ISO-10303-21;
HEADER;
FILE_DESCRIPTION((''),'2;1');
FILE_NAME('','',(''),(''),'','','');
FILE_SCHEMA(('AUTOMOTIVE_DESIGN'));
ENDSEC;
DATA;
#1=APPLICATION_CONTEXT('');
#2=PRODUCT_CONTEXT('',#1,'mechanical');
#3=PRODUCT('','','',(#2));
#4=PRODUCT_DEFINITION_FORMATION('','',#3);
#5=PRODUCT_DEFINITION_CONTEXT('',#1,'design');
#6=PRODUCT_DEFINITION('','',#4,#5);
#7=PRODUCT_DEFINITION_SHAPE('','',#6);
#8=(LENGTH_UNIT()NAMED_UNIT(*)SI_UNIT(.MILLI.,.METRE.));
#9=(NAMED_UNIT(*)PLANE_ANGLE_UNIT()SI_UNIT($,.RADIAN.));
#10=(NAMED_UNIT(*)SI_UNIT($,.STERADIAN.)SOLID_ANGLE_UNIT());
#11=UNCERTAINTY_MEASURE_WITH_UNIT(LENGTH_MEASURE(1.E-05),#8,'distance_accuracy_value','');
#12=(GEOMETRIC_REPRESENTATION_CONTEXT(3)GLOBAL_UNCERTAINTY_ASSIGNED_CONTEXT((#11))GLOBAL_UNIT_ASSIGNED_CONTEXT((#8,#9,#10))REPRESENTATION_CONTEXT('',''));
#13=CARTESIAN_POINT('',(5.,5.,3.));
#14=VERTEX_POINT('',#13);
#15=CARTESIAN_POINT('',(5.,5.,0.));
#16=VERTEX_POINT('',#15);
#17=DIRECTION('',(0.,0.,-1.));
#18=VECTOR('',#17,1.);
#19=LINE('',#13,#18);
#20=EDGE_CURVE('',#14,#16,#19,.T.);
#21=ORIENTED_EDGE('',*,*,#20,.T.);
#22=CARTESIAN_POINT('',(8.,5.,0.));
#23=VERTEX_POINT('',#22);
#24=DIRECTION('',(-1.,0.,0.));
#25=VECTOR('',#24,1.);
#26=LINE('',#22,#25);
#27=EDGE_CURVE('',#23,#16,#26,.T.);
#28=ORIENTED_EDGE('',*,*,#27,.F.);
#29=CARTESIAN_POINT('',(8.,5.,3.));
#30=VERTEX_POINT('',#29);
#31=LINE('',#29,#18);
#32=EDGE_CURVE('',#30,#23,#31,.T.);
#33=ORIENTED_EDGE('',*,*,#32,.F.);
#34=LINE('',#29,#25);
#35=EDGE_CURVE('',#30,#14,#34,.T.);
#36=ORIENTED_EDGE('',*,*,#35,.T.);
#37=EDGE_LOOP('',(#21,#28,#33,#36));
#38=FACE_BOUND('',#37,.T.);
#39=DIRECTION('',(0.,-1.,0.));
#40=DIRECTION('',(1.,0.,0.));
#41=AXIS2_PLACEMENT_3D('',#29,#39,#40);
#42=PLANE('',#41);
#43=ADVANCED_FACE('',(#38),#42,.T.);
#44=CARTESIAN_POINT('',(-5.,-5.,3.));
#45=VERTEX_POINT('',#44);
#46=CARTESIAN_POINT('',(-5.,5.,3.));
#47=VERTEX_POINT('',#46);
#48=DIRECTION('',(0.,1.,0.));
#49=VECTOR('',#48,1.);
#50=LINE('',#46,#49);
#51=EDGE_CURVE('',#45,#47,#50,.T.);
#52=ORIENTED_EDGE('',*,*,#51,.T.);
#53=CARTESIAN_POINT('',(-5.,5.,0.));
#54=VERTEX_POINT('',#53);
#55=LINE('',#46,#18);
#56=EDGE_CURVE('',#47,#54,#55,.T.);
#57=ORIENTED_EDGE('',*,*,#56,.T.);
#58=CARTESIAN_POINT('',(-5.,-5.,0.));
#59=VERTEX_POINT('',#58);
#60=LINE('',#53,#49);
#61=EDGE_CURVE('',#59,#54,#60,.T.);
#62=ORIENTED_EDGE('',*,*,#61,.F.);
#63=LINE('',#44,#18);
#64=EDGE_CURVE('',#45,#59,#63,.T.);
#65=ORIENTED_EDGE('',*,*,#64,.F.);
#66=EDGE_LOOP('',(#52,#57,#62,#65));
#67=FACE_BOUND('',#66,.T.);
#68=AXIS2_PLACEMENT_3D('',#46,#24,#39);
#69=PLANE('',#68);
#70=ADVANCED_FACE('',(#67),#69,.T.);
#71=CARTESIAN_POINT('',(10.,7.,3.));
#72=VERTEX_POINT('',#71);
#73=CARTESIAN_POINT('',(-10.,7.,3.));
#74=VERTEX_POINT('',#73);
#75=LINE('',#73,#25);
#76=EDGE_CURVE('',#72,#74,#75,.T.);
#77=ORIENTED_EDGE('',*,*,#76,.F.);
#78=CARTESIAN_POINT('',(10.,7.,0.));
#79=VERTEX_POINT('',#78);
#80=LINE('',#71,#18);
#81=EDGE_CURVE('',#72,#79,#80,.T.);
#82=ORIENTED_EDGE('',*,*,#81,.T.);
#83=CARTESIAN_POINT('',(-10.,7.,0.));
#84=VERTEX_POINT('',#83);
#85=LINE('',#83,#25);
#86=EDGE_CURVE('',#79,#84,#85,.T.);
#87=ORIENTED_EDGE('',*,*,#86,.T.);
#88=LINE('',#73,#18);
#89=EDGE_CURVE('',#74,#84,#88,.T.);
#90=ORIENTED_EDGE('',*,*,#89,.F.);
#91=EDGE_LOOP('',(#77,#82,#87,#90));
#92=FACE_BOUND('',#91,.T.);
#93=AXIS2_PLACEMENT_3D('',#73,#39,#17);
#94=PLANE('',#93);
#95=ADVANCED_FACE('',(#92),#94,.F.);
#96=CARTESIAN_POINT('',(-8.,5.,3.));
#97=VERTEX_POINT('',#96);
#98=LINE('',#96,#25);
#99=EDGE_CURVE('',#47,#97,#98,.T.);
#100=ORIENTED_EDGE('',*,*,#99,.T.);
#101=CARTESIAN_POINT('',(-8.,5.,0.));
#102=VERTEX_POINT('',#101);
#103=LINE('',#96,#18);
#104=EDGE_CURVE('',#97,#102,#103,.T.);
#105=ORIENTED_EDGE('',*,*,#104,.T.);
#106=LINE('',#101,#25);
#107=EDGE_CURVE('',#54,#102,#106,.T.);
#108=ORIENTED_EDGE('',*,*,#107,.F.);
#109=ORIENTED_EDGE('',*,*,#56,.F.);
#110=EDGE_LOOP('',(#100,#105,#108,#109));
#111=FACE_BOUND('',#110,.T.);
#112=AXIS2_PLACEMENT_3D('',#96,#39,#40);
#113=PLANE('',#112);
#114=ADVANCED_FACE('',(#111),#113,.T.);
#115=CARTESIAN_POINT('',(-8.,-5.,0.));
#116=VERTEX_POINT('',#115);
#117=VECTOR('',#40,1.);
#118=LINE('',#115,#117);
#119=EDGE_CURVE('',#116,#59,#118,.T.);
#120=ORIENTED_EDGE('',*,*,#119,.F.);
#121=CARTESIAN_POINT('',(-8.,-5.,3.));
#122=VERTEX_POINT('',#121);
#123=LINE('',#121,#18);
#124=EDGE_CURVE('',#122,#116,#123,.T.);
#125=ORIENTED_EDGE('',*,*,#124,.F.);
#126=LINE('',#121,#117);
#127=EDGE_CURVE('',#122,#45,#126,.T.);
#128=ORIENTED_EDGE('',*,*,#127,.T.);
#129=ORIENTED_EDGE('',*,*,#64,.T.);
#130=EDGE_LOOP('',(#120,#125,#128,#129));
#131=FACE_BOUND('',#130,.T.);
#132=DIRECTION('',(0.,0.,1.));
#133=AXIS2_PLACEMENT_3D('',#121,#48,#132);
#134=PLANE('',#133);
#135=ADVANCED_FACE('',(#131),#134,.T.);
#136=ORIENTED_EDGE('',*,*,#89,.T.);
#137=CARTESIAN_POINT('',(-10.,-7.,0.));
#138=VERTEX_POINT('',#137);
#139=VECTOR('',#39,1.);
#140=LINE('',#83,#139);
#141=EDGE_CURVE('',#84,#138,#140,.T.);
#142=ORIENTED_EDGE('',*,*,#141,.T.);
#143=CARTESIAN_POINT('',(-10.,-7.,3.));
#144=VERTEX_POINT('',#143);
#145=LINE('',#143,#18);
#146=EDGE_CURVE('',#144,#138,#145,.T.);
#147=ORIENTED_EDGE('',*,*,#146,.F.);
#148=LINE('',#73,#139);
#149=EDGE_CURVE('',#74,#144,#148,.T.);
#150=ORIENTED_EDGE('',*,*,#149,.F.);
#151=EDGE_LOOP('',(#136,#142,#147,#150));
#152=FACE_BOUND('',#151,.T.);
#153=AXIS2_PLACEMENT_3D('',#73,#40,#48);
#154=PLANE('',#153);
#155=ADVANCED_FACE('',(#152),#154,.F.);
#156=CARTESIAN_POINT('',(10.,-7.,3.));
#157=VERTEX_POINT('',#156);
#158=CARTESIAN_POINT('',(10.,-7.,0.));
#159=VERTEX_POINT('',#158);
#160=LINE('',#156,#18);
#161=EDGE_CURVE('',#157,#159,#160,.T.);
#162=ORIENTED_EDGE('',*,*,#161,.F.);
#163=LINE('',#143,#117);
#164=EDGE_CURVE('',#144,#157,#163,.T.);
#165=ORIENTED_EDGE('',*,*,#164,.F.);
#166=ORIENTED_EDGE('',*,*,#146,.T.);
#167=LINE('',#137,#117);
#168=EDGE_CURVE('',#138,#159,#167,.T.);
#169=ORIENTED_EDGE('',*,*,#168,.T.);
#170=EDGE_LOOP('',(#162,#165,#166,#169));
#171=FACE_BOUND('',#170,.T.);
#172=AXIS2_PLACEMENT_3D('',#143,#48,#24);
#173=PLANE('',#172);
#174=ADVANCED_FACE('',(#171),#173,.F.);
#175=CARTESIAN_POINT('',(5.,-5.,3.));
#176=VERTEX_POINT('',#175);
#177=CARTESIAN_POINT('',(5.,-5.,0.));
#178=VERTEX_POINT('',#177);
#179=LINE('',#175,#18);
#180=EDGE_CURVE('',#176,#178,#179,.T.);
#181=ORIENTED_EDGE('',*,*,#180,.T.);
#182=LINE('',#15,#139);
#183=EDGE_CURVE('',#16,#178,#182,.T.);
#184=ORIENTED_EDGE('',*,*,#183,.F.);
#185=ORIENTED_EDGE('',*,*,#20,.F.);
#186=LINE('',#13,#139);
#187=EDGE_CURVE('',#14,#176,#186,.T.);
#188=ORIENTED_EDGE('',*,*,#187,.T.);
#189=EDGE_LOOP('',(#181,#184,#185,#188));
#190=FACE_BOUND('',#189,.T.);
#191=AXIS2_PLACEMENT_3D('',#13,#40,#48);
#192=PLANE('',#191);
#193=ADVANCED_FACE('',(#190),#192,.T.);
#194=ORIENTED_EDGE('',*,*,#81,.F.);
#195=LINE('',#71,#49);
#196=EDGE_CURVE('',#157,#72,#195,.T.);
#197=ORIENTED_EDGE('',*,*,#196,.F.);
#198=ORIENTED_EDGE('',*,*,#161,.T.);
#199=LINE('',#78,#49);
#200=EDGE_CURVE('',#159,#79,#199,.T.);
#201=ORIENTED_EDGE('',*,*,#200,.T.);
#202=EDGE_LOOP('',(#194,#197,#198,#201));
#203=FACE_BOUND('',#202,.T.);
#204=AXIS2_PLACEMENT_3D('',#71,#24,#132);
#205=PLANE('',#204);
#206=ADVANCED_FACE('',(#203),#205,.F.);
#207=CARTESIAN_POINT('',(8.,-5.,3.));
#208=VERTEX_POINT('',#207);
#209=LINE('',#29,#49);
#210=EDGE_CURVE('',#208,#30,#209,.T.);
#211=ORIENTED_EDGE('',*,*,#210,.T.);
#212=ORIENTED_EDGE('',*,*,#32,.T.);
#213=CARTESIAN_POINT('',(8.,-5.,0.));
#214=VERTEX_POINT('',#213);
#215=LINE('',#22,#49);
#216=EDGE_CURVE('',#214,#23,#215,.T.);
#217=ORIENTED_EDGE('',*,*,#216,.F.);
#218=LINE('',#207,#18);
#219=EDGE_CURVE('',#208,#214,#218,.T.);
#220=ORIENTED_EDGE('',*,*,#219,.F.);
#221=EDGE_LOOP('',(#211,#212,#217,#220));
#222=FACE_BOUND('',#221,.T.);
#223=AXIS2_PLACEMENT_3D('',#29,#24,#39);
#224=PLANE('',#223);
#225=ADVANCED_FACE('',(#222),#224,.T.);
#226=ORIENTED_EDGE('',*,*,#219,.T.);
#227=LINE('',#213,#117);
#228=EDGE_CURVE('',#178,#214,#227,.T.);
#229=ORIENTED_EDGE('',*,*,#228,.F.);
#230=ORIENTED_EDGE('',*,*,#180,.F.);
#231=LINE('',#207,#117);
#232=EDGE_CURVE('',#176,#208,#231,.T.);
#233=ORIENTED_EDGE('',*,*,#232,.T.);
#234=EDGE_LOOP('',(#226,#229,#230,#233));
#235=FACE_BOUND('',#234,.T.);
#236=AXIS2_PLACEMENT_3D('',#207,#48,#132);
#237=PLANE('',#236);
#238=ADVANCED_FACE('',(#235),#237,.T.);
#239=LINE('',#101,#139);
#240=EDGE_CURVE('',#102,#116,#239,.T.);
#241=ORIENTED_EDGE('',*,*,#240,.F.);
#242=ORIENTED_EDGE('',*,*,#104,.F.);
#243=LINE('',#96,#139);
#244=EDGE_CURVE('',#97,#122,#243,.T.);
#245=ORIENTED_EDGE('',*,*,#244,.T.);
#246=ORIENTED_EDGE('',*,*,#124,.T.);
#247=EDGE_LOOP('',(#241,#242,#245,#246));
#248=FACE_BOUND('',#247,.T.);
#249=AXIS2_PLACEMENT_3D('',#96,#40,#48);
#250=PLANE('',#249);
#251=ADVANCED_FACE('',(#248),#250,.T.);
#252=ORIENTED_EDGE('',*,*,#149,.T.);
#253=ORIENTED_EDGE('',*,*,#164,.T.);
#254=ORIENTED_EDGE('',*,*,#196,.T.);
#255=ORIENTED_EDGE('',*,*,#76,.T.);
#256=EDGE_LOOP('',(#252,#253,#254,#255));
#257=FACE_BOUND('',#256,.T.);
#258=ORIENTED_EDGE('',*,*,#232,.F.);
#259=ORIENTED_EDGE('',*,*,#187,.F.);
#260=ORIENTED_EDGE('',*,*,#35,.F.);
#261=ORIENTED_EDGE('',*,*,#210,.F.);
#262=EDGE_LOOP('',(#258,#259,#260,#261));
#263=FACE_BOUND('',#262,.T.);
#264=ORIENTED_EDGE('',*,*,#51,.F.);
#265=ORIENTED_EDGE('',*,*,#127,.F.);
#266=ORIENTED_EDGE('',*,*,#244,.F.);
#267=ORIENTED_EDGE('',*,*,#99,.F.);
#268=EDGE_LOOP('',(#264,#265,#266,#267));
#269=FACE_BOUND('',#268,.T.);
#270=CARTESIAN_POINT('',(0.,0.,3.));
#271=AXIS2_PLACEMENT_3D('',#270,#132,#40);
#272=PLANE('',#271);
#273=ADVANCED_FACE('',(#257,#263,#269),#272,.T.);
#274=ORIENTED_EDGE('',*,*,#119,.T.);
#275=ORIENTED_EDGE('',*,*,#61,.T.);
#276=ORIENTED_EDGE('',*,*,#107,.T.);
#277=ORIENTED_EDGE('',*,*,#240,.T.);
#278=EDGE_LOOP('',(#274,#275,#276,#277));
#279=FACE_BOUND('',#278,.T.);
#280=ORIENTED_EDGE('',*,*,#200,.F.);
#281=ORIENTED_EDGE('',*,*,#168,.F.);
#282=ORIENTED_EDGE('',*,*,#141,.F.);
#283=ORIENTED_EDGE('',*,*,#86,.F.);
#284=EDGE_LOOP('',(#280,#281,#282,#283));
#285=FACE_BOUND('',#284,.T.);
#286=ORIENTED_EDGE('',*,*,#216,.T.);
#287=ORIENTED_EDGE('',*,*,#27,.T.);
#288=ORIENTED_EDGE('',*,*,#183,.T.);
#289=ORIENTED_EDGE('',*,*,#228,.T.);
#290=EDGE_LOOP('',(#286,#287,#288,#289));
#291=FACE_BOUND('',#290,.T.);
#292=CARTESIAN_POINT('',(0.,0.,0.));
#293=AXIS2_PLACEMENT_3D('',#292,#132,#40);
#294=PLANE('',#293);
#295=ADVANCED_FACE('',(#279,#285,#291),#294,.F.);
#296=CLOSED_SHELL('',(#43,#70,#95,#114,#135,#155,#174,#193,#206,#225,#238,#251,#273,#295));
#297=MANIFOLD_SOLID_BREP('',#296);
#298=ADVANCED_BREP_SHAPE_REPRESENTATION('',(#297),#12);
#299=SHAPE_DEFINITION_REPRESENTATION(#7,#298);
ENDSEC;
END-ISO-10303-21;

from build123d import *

# Parameters (mm, degrees)
SKETCH_1_W      = 20
SKETCH_1_H      = 14
SKETCH_1_W_2    = 3
SKETCH_1_H_2    = 10
EXTRUDE_1_DEPTH = 3


with BuildPart() as part:
    # 草图1 → 凸台-拉伸1 (new body)
    with BuildSketch(Plane.XY):
        Rectangle(SKETCH_1_W, SKETCH_1_H)
        with Locations((6.5, 0)):
            Rectangle(SKETCH_1_W_2, SKETCH_1_H_2, mode=Mode.SUBTRACT)
        with Locations((-6.5, 0)):
            Rectangle(SKETCH_1_W_2, SKETCH_1_H_2, mode=Mode.SUBTRACT)
    extrude(amount=EXTRUDE_1_DEPTH)


solid = part.part
